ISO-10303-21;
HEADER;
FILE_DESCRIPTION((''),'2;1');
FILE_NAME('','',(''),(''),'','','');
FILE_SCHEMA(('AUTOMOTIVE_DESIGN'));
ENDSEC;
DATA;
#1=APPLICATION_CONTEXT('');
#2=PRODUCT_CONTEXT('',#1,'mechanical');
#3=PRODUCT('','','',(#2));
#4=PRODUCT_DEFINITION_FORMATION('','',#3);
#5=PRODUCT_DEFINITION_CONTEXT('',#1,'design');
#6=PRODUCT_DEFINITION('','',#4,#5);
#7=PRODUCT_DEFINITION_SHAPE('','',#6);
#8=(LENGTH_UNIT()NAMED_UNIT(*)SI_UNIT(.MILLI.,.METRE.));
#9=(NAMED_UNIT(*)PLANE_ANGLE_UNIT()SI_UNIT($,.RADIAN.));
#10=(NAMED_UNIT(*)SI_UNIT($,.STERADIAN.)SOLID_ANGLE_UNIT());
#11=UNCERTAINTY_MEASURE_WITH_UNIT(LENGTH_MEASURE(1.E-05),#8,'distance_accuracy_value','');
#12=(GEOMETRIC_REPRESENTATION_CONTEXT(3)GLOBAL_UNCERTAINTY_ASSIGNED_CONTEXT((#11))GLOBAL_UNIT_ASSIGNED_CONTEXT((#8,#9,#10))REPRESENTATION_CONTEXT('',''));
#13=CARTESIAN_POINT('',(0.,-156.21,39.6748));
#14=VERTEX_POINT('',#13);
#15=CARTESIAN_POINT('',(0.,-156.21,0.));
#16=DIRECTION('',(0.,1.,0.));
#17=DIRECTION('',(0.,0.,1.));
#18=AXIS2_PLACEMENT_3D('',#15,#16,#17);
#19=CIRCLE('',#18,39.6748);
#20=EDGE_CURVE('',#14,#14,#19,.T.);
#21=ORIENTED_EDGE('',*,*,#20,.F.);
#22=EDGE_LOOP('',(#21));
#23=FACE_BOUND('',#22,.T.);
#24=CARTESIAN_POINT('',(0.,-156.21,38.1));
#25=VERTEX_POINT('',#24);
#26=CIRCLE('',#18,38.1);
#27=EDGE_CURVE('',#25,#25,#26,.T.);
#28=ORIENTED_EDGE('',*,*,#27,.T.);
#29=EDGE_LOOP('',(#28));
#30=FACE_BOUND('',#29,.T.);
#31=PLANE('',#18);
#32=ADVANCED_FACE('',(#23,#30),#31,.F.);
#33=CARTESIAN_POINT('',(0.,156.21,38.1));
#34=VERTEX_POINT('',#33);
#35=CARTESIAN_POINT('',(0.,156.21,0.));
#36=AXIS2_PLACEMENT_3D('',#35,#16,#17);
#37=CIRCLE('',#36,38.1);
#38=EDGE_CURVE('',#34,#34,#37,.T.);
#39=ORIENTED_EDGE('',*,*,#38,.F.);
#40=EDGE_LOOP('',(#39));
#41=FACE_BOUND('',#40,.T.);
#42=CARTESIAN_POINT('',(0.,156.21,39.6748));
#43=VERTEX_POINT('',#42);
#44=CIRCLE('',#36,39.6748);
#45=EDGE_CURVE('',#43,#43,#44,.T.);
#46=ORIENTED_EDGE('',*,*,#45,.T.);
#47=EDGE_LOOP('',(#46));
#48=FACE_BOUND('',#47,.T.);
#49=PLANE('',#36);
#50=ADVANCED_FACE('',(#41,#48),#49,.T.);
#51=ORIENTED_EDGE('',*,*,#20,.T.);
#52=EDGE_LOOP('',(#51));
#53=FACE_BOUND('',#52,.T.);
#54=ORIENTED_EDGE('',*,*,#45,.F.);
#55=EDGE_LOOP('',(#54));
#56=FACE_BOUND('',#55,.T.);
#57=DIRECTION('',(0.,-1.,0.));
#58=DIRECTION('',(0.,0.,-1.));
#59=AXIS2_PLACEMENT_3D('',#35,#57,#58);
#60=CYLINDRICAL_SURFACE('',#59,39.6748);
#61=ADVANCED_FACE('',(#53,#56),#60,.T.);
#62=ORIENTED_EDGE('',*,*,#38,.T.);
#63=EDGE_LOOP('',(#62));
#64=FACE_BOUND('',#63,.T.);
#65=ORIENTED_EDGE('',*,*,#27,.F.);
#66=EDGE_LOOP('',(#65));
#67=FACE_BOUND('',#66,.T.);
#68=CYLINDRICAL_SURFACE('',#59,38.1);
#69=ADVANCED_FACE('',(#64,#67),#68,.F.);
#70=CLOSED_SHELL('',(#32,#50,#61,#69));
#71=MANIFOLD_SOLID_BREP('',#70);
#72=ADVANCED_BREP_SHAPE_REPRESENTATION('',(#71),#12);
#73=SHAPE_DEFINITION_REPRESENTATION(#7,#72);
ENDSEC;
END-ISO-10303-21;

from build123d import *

# Parameters (mm, degrees)
SKETCH1_R           = 39.6748
SKETCH1_R_2         = 38.1
BOSS_EXTRUDE1_DEPTH = 156.21


with BuildPart() as part:
    # Sketch1 → Boss-Extrude1 (new body, symmetric)
    with BuildSketch(Plane(origin=(0, 0, 0), x_dir=(1, 0, 0), z_dir=(0, 1, 0))):
        Circle(SKETCH1_R)
        Circle(SKETCH1_R_2, mode=Mode.SUBTRACT)
    extrude(amount=BOSS_EXTRUDE1_DEPTH, both=True)


solid = part.part
